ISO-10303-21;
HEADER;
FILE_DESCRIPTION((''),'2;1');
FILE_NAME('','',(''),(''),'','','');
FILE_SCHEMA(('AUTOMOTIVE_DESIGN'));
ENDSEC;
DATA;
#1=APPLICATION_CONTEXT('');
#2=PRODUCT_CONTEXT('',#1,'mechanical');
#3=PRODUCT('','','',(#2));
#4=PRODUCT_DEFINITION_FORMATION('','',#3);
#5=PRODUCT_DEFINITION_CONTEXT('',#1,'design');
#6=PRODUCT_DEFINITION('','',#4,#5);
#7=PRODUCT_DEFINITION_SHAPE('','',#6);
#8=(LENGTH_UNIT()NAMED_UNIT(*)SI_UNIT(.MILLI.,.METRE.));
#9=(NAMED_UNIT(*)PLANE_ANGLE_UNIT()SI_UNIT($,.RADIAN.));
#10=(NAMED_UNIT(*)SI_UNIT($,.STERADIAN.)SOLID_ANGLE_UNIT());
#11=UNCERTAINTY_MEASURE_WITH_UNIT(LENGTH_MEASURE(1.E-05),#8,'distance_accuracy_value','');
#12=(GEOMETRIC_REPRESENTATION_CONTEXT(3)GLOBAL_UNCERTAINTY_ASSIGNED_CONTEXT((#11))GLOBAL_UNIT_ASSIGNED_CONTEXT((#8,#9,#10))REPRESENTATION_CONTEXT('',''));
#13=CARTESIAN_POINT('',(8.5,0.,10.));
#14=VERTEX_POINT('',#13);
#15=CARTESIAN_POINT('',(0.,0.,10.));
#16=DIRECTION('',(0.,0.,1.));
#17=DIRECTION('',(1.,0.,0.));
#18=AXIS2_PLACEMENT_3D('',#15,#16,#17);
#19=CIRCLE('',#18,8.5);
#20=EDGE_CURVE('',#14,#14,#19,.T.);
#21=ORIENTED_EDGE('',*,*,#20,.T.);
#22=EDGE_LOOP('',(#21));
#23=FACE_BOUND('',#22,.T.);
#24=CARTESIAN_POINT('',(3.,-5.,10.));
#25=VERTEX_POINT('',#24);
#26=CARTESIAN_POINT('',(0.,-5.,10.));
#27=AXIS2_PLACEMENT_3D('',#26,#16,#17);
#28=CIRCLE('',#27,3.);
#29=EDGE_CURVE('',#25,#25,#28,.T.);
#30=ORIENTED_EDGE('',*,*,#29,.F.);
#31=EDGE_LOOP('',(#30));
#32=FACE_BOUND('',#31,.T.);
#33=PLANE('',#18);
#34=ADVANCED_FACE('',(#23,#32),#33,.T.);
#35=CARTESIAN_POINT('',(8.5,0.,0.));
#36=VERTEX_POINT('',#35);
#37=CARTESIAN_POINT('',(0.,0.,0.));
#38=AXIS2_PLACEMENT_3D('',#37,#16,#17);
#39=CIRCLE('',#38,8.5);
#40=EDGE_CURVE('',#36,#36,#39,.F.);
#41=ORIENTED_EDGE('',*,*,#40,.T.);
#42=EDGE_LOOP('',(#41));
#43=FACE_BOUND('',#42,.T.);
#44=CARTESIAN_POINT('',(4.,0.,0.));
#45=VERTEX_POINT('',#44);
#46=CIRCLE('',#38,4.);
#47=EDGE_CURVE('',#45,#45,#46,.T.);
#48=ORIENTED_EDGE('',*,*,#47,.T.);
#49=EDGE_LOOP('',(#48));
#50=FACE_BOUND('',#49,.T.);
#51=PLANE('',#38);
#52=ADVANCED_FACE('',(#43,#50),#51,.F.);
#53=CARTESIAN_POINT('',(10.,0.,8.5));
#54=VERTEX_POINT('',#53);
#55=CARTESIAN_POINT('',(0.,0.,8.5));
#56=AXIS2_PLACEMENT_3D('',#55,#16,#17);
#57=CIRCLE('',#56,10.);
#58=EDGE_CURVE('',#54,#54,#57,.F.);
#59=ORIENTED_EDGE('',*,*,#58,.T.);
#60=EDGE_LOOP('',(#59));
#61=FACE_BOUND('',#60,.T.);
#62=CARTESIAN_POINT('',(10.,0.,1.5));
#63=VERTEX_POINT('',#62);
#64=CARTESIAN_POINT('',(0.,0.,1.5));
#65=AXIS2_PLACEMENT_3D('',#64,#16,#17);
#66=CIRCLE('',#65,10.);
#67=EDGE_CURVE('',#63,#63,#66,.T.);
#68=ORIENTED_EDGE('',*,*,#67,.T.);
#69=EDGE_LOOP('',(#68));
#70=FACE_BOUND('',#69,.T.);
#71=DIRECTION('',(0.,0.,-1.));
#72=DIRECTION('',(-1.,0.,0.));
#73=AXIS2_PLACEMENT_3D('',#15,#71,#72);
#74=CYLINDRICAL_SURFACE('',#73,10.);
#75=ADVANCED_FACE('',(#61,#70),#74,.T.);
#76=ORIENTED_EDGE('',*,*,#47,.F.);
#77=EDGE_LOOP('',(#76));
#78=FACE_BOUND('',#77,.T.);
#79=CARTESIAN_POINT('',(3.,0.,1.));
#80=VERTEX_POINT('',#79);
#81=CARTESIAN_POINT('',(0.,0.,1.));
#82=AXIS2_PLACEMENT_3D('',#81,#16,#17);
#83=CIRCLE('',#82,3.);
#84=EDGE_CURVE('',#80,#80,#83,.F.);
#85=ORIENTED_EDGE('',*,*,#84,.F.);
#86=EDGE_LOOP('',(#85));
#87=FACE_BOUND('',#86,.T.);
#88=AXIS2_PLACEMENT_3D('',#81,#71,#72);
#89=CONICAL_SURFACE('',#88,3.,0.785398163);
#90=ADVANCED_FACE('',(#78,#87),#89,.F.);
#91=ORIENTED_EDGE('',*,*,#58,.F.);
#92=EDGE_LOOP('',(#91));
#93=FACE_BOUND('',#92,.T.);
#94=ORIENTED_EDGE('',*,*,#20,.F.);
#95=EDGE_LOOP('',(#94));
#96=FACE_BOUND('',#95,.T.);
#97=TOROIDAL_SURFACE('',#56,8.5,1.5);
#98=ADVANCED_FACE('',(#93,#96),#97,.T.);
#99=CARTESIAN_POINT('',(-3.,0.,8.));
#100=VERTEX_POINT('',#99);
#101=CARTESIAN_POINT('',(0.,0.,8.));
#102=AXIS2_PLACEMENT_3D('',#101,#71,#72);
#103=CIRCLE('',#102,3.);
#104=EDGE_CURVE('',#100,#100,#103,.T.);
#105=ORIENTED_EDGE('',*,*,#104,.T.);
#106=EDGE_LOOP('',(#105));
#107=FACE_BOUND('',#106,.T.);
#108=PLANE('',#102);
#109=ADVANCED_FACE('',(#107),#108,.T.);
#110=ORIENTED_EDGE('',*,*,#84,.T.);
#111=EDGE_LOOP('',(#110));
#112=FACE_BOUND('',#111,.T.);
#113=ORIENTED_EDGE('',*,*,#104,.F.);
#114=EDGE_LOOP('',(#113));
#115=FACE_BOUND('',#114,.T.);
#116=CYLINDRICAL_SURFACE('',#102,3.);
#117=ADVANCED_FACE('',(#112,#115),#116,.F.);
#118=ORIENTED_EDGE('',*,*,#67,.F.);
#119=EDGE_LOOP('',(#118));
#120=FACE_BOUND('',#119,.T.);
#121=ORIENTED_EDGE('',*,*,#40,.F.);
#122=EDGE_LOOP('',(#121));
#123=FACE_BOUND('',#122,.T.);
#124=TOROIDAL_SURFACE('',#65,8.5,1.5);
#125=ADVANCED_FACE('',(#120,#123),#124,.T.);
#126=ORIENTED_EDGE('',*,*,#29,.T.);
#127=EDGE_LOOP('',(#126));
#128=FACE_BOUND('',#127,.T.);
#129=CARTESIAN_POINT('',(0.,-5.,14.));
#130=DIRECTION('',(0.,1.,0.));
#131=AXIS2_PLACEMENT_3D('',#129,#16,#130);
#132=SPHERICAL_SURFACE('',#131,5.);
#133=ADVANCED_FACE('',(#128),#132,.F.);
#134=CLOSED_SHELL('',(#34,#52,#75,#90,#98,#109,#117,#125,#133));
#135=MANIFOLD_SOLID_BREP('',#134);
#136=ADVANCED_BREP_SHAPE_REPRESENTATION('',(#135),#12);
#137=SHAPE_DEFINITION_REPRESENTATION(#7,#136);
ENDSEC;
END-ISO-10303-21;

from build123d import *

# Parameters (mm, degrees)
SKETCH1_R           = 10
BOSS_EXTRUDE1_DEPTH = 10
FILLET1_R           = 1.5
SKETCH2_R           = 3
CUT_EXTRUDE1_DEPTH  = 8
CHAMFER1_SIZE       = 1


with BuildPart() as part:
    # Sketch1 → Boss-Extrude1 (new body)
    with BuildSketch(Plane.XY):
        Circle(SKETCH1_R)
    extrude(amount=BOSS_EXTRUDE1_DEPTH)

    # Fillet1
    fillet1_edges = [part.edges().sort_by_distance(p)[0] for p in [
        (-10, 0, 0),
        (-10, 0, 10),
    ]]
    fillet(fillet1_edges, radius=FILLET1_R)

    # Sketch2 → Cut-Extrude1 (cut)
    with BuildSketch(Plane(origin=(0, 0, 0), x_dir=(-1, 0, 0), z_dir=(0, 0, -1))):
        Circle(SKETCH2_R)
    extrude(amount=-CUT_EXTRUDE1_DEPTH, mode=Mode.SUBTRACT)

    # Chamfer1
    chamfer1_edges = [part.edges().sort_by_distance(p)[0] for p in [
        (3, 0, 0),
    ]]
    chamfer(chamfer1_edges, length=CHAMFER1_SIZE)

    # Sketch3 → Cut-Revolve2 (revolve, cut)
    with BuildSketch(Plane(origin=(0, 0, 0), x_dir=(0, 0, -1), z_dir=(1, 0, 0))):
        with BuildLine():
            Line((-19, -5), (-9, -5))
            ThreePointArc((-9, -5), (-14, -10), (-19, -5))
        make_face()
    revolve(axis=Axis((0, -5, 19), (0, 0, -1)), mode=Mode.SUBTRACT)


solid = part.part
